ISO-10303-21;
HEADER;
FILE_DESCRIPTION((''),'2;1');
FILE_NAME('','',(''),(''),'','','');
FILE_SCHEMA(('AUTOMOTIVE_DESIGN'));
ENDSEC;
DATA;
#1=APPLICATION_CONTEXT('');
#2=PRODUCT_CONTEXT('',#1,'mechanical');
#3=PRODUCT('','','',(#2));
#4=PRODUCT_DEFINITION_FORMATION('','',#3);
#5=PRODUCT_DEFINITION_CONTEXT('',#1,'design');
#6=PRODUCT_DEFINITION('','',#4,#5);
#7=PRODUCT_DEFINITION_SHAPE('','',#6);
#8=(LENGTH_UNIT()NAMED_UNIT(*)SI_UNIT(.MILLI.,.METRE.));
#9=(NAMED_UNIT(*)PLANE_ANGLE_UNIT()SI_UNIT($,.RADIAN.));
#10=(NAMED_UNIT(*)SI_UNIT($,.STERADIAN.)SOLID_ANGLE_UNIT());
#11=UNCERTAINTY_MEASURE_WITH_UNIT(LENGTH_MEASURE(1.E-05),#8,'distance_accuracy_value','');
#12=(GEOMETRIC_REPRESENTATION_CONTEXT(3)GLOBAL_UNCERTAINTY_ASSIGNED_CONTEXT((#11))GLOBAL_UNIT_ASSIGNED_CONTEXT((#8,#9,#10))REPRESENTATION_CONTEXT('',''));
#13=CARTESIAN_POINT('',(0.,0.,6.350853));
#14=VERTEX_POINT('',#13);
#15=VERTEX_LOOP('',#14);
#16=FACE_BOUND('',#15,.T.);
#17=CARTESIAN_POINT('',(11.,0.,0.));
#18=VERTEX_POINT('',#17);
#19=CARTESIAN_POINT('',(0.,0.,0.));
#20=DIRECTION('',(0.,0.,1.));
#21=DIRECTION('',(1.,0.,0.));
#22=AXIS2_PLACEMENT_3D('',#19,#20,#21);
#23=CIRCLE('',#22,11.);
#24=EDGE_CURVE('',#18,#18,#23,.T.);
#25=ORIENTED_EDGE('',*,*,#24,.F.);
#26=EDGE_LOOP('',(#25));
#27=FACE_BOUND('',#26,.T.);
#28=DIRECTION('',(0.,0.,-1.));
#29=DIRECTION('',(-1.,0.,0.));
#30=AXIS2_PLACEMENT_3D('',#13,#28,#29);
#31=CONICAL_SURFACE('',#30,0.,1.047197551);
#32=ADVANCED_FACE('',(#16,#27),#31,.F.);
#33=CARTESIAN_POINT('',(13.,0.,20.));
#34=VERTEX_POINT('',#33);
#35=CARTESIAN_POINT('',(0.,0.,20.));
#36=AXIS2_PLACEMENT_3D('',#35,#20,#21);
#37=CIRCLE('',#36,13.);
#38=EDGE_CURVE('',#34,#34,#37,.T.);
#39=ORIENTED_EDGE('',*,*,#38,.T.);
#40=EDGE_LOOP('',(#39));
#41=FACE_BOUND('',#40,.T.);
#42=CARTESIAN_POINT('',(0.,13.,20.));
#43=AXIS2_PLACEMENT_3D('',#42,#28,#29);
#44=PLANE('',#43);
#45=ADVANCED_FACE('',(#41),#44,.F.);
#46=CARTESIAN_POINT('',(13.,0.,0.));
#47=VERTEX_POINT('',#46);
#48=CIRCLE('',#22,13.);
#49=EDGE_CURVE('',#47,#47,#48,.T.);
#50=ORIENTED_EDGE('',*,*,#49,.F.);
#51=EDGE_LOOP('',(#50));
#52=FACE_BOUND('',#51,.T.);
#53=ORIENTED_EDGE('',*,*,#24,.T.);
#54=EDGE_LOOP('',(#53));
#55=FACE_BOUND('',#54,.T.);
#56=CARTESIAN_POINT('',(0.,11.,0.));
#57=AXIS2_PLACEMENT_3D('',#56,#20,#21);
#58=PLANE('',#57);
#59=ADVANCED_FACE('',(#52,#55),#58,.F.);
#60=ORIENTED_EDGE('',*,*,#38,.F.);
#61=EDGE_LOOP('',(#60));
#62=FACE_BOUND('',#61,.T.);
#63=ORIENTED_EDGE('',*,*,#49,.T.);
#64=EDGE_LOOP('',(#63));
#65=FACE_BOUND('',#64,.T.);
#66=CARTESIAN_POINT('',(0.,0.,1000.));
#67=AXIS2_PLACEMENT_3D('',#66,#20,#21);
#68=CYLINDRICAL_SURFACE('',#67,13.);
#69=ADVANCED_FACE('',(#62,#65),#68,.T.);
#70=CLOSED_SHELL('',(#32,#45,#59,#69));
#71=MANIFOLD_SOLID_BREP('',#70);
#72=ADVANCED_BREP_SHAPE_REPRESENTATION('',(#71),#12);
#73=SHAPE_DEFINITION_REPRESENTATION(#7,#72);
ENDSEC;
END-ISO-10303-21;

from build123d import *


with BuildPart() as part:
    # Эскиз1 → Повернуть1 (revolve)
    with BuildSketch(Plane(origin=(0, 0, 0), x_dir=(0, 0, -1), z_dir=(1, 0, 0))):
        Polygon((-6.350852961, 0), (0, 11), (0, 13), (-20, 13), (-20, 0), align=None)
    revolve(axis=Axis((0, 0, 1000), (0, 0, -1)))


solid = part.part
